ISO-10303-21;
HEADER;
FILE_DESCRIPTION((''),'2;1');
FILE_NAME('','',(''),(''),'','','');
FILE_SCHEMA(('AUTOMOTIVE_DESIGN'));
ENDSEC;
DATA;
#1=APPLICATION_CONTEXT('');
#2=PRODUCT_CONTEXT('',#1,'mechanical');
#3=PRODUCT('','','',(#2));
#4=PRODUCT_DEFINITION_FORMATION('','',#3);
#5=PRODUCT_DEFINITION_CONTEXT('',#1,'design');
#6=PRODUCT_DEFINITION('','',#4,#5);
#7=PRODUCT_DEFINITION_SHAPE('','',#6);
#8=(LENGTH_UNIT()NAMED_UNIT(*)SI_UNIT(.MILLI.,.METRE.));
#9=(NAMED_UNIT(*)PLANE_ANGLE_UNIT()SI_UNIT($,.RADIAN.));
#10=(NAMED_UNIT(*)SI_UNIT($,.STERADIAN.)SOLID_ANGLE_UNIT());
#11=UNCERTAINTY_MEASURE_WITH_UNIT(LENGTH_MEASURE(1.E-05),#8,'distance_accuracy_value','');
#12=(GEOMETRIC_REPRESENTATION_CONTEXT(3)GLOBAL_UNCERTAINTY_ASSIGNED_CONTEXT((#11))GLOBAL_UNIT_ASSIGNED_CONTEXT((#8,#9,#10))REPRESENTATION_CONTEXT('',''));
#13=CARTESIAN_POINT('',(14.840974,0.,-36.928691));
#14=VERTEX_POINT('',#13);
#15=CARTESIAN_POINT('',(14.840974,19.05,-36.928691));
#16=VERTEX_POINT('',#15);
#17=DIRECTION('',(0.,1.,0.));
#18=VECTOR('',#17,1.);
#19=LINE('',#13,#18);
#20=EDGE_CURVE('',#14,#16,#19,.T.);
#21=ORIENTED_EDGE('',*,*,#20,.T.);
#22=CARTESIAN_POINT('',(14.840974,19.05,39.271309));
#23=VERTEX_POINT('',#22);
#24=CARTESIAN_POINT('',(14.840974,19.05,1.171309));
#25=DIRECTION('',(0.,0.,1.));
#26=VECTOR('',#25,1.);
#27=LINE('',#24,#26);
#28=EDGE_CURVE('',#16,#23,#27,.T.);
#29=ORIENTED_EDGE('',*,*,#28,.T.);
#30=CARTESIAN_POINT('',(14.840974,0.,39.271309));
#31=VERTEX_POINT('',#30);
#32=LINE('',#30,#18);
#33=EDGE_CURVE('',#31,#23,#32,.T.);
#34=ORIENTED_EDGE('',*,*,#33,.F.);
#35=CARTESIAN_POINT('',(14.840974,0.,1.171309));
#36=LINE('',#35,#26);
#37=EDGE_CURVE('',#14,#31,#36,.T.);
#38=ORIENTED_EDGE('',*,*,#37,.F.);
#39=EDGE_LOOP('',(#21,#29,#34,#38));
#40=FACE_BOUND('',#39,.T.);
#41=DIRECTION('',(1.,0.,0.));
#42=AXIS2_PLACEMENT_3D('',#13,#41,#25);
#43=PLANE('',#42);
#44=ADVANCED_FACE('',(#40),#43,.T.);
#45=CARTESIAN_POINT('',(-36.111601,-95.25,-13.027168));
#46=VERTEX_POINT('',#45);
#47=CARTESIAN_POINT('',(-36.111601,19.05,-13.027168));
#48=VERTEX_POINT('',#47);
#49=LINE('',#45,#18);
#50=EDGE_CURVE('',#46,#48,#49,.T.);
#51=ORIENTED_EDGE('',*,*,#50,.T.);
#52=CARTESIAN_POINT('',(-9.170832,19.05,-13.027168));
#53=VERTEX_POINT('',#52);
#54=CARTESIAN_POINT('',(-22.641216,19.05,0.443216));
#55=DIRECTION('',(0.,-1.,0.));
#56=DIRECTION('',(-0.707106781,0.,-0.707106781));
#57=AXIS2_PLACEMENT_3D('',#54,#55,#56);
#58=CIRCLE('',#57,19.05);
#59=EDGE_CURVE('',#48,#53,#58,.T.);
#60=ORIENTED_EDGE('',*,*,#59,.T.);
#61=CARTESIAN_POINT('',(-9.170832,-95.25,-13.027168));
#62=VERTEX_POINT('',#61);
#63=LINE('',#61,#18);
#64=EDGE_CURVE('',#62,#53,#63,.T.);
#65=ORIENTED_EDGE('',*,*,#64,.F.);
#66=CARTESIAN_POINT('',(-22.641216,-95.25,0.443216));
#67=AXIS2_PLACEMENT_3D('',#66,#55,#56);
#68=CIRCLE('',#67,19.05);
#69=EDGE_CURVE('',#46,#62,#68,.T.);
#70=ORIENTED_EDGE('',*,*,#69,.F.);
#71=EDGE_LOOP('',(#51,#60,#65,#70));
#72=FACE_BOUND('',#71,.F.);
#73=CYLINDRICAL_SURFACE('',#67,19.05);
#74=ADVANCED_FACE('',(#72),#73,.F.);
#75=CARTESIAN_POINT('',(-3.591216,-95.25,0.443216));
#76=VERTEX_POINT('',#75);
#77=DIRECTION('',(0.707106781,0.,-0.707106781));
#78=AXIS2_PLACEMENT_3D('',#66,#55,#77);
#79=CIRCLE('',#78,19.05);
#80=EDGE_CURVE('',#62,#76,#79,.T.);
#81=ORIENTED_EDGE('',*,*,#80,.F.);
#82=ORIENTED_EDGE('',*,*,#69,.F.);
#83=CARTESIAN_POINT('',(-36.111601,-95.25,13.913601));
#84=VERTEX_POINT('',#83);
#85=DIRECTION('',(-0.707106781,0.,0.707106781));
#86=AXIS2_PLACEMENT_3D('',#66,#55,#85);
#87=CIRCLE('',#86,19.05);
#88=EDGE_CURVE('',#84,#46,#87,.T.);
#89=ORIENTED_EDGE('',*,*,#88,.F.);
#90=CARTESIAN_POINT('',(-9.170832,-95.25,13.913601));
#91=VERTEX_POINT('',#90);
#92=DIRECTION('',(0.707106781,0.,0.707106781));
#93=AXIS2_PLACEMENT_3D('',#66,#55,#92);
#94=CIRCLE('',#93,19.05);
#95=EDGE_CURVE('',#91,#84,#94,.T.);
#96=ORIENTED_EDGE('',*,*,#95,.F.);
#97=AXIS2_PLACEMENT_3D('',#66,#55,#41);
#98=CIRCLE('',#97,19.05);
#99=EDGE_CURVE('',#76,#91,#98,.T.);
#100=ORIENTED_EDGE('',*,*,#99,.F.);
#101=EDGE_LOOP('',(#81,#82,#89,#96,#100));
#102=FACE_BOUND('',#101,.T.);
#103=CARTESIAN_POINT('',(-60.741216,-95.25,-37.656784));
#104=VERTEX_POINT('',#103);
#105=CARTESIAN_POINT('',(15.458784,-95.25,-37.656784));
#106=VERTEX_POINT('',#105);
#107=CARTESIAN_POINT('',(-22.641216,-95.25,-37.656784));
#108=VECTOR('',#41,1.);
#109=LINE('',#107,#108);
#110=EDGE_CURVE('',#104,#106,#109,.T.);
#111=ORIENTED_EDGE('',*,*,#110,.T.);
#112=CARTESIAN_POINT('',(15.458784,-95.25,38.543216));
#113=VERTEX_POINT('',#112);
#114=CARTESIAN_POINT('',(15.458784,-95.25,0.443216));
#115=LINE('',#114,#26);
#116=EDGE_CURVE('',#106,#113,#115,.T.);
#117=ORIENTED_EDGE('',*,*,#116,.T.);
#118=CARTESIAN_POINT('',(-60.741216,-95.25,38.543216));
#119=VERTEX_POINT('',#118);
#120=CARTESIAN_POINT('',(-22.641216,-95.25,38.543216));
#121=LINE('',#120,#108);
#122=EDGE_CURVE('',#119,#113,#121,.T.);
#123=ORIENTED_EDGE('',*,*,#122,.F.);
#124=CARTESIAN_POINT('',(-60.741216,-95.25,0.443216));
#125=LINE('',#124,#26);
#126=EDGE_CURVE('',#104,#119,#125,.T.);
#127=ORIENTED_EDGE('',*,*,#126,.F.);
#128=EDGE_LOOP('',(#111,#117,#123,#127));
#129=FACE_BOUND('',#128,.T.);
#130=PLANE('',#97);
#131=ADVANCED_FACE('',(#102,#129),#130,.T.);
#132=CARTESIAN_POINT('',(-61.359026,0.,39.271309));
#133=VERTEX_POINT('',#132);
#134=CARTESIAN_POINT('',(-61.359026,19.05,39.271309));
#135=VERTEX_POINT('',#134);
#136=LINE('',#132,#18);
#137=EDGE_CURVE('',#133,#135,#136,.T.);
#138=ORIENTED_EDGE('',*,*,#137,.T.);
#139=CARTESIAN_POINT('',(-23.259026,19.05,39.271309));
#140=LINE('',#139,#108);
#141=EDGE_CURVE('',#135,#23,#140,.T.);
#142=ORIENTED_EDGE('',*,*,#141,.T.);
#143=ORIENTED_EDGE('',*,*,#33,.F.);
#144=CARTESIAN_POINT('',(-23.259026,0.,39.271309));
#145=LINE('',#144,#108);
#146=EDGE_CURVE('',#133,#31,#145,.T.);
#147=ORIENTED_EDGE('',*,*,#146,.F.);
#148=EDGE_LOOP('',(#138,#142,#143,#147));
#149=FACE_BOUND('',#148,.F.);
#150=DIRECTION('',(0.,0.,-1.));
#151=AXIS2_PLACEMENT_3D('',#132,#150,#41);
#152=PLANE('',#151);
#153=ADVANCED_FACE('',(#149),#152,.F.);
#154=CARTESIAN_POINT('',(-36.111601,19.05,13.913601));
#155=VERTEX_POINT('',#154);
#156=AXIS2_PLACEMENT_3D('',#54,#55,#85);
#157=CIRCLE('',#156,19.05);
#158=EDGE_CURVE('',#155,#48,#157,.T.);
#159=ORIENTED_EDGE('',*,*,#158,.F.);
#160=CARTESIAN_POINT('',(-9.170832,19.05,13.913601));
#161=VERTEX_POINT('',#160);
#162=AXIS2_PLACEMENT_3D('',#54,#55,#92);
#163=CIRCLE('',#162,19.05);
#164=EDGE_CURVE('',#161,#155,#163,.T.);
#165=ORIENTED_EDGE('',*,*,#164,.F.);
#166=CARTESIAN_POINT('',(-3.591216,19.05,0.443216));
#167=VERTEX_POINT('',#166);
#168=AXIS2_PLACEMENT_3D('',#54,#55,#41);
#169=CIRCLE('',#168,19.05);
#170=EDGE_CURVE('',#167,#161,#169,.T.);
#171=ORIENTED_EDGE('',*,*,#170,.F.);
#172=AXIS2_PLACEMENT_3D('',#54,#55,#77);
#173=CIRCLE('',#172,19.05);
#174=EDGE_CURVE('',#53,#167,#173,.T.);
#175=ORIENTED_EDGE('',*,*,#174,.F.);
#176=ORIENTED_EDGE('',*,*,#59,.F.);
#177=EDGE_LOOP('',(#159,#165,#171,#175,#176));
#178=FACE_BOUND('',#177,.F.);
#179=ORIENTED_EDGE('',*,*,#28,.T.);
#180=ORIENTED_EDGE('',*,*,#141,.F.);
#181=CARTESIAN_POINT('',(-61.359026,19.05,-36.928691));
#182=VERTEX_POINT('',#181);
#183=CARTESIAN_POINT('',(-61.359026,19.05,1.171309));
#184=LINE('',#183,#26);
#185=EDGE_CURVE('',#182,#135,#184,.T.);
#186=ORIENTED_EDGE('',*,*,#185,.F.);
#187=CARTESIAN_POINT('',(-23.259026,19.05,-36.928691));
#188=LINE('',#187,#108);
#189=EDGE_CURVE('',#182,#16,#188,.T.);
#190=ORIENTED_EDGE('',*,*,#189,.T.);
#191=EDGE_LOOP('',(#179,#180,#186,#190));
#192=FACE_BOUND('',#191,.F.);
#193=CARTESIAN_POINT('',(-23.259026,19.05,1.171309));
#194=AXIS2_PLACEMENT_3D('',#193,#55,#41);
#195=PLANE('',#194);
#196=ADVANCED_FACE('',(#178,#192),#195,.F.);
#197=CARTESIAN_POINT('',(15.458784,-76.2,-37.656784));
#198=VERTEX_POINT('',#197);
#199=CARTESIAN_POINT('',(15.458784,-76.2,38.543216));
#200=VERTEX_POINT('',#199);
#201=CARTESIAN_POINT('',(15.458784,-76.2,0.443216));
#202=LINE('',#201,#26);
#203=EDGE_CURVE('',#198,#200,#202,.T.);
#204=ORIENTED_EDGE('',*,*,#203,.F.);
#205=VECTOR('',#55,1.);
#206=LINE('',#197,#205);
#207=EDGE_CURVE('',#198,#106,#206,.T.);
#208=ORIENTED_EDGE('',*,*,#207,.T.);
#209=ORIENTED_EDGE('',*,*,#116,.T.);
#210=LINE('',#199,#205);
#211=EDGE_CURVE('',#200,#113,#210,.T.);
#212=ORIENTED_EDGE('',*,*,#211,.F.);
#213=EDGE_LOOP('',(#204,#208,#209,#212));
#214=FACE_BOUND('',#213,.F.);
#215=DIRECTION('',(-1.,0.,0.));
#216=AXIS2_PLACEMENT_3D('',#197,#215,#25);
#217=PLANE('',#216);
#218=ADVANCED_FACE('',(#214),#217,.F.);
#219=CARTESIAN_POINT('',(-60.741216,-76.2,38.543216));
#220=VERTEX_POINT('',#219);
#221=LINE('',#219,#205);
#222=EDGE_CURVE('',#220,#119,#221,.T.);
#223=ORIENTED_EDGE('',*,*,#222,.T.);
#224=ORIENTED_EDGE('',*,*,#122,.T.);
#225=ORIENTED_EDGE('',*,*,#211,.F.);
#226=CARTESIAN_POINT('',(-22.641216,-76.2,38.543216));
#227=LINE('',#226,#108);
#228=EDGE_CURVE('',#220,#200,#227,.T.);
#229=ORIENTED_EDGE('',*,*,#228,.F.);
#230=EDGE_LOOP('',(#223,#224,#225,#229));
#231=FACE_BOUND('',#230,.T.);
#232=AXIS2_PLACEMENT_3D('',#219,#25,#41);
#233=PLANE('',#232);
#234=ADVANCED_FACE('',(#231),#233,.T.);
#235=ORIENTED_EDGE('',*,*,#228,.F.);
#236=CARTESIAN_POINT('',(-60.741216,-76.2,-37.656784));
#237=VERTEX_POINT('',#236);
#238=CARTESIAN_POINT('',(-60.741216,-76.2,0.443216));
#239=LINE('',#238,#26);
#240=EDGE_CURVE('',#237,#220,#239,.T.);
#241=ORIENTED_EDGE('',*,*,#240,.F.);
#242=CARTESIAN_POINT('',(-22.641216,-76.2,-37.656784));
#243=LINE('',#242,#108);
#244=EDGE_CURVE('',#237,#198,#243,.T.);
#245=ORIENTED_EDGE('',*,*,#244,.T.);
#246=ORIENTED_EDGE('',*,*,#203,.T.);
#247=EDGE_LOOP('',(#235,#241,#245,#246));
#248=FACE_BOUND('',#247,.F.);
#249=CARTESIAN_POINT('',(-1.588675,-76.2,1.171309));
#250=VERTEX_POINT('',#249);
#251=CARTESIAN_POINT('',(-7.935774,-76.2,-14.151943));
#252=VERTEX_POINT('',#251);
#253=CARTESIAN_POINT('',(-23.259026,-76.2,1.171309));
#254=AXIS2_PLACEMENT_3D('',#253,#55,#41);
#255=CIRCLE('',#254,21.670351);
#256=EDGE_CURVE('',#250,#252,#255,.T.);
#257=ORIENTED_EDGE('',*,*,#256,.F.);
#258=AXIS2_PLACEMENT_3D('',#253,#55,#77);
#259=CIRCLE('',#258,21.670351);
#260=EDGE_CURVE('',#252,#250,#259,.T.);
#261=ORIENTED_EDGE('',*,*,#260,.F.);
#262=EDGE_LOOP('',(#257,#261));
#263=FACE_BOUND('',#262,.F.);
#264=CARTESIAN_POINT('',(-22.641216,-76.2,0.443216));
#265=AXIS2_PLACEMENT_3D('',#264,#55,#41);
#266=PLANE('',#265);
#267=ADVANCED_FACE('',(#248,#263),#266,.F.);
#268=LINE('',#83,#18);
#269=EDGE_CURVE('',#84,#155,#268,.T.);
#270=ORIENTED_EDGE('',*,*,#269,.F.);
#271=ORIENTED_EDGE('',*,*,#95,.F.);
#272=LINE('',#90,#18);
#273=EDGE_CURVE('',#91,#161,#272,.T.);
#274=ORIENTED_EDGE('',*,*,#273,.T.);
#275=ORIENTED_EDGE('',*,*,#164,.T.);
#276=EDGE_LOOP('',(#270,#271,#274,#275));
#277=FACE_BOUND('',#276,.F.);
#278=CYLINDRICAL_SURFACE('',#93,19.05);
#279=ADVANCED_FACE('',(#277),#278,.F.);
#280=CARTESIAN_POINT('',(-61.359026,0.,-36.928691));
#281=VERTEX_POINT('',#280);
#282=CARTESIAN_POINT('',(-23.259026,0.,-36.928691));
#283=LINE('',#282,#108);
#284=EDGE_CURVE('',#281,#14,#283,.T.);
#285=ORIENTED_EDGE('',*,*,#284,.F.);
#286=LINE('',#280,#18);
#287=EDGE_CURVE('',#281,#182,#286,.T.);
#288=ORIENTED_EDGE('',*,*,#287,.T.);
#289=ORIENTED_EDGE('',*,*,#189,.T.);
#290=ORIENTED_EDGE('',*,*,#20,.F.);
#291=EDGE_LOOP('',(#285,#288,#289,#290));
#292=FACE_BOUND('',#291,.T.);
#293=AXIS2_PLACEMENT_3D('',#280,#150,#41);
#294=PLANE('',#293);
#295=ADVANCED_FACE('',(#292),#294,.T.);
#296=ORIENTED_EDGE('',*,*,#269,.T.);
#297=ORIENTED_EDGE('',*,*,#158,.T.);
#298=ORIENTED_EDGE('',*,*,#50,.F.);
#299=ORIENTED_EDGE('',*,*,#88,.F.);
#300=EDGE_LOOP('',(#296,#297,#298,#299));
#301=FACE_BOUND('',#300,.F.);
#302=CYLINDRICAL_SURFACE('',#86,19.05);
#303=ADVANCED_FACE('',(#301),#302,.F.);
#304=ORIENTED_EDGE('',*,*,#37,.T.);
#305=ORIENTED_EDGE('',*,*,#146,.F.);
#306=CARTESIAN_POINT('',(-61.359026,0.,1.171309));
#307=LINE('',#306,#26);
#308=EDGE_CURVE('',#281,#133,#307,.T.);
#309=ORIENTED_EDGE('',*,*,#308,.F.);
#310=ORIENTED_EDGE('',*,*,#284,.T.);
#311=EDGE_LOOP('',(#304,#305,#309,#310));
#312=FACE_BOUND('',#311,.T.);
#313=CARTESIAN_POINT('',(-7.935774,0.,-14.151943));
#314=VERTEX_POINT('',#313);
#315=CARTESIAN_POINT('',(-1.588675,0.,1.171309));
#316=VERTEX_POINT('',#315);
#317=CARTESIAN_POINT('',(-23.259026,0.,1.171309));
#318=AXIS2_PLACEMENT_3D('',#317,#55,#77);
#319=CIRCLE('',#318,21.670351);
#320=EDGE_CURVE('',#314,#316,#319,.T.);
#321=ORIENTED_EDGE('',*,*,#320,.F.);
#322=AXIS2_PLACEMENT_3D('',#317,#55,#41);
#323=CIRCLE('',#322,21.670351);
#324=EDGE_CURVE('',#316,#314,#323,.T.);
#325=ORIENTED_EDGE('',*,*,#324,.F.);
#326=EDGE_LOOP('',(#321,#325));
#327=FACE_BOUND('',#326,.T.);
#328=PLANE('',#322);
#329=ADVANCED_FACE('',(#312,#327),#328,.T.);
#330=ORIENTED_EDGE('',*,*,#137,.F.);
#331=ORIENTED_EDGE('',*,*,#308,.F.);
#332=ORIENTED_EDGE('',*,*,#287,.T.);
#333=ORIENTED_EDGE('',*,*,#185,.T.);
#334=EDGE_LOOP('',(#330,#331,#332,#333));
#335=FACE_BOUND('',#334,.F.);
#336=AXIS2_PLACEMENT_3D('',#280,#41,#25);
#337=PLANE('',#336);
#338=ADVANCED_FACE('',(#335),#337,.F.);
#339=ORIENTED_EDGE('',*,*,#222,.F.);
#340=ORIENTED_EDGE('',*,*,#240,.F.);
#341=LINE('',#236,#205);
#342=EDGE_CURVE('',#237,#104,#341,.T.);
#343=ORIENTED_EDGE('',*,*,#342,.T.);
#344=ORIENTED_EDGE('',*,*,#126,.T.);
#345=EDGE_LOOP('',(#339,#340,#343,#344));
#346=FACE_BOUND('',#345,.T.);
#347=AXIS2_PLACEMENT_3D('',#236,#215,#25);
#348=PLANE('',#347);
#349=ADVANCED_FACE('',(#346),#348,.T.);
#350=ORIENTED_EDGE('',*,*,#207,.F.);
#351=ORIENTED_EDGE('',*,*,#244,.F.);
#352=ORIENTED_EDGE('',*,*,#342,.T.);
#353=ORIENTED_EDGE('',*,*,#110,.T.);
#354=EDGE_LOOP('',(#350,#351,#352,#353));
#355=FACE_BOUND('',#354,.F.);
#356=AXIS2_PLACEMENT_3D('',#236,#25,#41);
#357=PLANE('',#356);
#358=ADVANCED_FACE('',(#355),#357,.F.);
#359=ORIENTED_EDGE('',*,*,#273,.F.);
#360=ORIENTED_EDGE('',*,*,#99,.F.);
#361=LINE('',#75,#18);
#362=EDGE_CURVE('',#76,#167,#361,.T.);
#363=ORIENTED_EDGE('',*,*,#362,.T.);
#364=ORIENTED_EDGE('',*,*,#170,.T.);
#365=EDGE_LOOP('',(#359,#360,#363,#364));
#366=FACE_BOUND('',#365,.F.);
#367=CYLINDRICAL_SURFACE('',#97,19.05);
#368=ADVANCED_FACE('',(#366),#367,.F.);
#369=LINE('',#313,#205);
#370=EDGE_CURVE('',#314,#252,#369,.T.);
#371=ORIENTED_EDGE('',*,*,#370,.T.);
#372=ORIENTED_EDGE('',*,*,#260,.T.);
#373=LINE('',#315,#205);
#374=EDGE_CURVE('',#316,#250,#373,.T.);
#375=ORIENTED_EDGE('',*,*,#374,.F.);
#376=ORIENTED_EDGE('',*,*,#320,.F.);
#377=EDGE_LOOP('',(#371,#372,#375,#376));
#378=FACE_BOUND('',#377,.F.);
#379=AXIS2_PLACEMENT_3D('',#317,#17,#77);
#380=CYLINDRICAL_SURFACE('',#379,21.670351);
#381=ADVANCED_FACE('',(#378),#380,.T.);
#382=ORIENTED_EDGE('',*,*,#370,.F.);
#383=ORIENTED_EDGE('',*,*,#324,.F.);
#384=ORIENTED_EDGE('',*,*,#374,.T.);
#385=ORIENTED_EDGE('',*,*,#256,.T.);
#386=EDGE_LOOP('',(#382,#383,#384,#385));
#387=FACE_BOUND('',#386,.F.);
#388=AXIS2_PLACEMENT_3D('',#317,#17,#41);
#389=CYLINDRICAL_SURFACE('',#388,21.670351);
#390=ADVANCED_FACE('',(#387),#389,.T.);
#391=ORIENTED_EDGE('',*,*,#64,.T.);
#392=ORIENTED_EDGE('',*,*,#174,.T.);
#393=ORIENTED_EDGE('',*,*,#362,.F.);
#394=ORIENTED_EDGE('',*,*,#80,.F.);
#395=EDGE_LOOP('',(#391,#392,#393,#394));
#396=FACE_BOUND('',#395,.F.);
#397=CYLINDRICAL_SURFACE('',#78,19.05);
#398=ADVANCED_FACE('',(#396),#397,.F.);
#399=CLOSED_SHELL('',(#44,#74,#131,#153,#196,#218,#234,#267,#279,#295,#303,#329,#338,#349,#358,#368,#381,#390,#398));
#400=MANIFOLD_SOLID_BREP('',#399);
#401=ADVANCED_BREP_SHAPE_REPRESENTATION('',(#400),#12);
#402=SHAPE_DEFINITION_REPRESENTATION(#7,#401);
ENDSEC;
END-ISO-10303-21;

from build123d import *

# Parameters (mm, degrees)
F0_W     = 76.2
F0_H     = 76.2
F1_DEPTH = 19.05
F3_DEPTH = 76.2
F4_W     = 76.2
F4_H     = 76.2
F4_R     = 21.6703506802
F5_DEPTH = 19.05
F7_DEPTH = 114.301


with BuildPart() as f1:
    # F0 (on Front) → F1 (new body)
    with BuildSketch(Plane.XZ):
        with Locations((-23.25902578, 1.1713085696)):
            Rectangle(F0_W, F0_H)
    extrude(amount=-F1_DEPTH)

    # F2 (on face) → F3 (join)
    with BuildSketch(Plane.XZ):
        with BuildLine():
            Line((-38.5822776966, 16.4945604863), (-7.9357738633, -14.1519433471))
            ThreePointArc((-7.9357738633, -14.1519433471), (-3.2382323242, -7.1215756093), (-1.5886750997, 1.1713085696))
            ThreePointArc((-1.5886750997, 1.1713085696), (-14.9661416011, 21.1921020254), (-38.5822776966, 16.4945604863))
        make_face()
        with BuildLine():
            ThreePointArc((-38.5822776966, 16.4945604863), (-38.5822776966, -14.1519433471), (-7.9357738633, -14.1519433471))
            Line((-7.9357738633, -14.1519433471), (-38.5822776966, 16.4945604863))
        make_face()
    extrude(amount=F3_DEPTH)

    # F4 (on face) → F5 (join)
    with BuildSketch(Plane.XZ.offset(76.2)):
        with Locations((-22.6412163979, 0.4432164133)):
            Rectangle(F4_W, F4_H)
        with Locations((-23.25902578, 1.1713085696)):
            Circle(F4_R)
    extrude(amount=F5_DEPTH)

    # F6 (on face) → F7 (cut, through all)
    with BuildSketch(Plane.XZ.offset(95.25)):
        with BuildLine():
            ThreePointArc((-3.5912163979, 0.4432164133), (-5.0413113036, 7.7333357998), (-9.1708322163, 13.9136005949))
            Line((-9.1708322163, 13.9136005949), (-22.6412163979, 0.4432164133))
            Line((-22.6412163979, 0.4432164133), (-9.1708322163, -13.0271677683))
            ThreePointArc((-9.1708322163, -13.0271677683), (-5.0413113036, -6.8469029733), (-3.5912163979, 0.4432164133))
        make_face()
        with BuildLine():
            Line((-22.6412163979, 0.4432164133), (-9.1708322163, 13.9136005949))
            ThreePointArc((-9.1708322163, 13.9136005949), (-22.6412163979, 19.4932164133), (-36.1116005795, 13.9136005949))
            Line((-36.1116005795, 13.9136005949), (-22.6412163979, 0.4432164133))
        make_face()
        with BuildLine():
            Line((-9.1708322163, -13.0271677683), (-22.6412163979, 0.4432164133))
            Line((-22.6412163979, 0.4432164133), (-36.1116005795, -13.0271677683))
            ThreePointArc((-36.1116005795, -13.0271677683), (-22.6412163979, -18.6067835867), (-9.1708322163, -13.0271677683))
        make_face()
        with BuildLine():
            Line((-36.1116005795, -13.0271677683), (-22.6412163979, 0.4432164133))
            Line((-22.6412163979, 0.4432164133), (-36.1116005795, 13.9136005949))
            ThreePointArc((-36.1116005795, 13.9136005949), (-41.6912163979, 0.4432164133), (-36.1116005795, -13.0271677683))
        make_face()
    extrude(amount=-F7_DEPTH, mode=Mode.SUBTRACT)


solid = f1.part
